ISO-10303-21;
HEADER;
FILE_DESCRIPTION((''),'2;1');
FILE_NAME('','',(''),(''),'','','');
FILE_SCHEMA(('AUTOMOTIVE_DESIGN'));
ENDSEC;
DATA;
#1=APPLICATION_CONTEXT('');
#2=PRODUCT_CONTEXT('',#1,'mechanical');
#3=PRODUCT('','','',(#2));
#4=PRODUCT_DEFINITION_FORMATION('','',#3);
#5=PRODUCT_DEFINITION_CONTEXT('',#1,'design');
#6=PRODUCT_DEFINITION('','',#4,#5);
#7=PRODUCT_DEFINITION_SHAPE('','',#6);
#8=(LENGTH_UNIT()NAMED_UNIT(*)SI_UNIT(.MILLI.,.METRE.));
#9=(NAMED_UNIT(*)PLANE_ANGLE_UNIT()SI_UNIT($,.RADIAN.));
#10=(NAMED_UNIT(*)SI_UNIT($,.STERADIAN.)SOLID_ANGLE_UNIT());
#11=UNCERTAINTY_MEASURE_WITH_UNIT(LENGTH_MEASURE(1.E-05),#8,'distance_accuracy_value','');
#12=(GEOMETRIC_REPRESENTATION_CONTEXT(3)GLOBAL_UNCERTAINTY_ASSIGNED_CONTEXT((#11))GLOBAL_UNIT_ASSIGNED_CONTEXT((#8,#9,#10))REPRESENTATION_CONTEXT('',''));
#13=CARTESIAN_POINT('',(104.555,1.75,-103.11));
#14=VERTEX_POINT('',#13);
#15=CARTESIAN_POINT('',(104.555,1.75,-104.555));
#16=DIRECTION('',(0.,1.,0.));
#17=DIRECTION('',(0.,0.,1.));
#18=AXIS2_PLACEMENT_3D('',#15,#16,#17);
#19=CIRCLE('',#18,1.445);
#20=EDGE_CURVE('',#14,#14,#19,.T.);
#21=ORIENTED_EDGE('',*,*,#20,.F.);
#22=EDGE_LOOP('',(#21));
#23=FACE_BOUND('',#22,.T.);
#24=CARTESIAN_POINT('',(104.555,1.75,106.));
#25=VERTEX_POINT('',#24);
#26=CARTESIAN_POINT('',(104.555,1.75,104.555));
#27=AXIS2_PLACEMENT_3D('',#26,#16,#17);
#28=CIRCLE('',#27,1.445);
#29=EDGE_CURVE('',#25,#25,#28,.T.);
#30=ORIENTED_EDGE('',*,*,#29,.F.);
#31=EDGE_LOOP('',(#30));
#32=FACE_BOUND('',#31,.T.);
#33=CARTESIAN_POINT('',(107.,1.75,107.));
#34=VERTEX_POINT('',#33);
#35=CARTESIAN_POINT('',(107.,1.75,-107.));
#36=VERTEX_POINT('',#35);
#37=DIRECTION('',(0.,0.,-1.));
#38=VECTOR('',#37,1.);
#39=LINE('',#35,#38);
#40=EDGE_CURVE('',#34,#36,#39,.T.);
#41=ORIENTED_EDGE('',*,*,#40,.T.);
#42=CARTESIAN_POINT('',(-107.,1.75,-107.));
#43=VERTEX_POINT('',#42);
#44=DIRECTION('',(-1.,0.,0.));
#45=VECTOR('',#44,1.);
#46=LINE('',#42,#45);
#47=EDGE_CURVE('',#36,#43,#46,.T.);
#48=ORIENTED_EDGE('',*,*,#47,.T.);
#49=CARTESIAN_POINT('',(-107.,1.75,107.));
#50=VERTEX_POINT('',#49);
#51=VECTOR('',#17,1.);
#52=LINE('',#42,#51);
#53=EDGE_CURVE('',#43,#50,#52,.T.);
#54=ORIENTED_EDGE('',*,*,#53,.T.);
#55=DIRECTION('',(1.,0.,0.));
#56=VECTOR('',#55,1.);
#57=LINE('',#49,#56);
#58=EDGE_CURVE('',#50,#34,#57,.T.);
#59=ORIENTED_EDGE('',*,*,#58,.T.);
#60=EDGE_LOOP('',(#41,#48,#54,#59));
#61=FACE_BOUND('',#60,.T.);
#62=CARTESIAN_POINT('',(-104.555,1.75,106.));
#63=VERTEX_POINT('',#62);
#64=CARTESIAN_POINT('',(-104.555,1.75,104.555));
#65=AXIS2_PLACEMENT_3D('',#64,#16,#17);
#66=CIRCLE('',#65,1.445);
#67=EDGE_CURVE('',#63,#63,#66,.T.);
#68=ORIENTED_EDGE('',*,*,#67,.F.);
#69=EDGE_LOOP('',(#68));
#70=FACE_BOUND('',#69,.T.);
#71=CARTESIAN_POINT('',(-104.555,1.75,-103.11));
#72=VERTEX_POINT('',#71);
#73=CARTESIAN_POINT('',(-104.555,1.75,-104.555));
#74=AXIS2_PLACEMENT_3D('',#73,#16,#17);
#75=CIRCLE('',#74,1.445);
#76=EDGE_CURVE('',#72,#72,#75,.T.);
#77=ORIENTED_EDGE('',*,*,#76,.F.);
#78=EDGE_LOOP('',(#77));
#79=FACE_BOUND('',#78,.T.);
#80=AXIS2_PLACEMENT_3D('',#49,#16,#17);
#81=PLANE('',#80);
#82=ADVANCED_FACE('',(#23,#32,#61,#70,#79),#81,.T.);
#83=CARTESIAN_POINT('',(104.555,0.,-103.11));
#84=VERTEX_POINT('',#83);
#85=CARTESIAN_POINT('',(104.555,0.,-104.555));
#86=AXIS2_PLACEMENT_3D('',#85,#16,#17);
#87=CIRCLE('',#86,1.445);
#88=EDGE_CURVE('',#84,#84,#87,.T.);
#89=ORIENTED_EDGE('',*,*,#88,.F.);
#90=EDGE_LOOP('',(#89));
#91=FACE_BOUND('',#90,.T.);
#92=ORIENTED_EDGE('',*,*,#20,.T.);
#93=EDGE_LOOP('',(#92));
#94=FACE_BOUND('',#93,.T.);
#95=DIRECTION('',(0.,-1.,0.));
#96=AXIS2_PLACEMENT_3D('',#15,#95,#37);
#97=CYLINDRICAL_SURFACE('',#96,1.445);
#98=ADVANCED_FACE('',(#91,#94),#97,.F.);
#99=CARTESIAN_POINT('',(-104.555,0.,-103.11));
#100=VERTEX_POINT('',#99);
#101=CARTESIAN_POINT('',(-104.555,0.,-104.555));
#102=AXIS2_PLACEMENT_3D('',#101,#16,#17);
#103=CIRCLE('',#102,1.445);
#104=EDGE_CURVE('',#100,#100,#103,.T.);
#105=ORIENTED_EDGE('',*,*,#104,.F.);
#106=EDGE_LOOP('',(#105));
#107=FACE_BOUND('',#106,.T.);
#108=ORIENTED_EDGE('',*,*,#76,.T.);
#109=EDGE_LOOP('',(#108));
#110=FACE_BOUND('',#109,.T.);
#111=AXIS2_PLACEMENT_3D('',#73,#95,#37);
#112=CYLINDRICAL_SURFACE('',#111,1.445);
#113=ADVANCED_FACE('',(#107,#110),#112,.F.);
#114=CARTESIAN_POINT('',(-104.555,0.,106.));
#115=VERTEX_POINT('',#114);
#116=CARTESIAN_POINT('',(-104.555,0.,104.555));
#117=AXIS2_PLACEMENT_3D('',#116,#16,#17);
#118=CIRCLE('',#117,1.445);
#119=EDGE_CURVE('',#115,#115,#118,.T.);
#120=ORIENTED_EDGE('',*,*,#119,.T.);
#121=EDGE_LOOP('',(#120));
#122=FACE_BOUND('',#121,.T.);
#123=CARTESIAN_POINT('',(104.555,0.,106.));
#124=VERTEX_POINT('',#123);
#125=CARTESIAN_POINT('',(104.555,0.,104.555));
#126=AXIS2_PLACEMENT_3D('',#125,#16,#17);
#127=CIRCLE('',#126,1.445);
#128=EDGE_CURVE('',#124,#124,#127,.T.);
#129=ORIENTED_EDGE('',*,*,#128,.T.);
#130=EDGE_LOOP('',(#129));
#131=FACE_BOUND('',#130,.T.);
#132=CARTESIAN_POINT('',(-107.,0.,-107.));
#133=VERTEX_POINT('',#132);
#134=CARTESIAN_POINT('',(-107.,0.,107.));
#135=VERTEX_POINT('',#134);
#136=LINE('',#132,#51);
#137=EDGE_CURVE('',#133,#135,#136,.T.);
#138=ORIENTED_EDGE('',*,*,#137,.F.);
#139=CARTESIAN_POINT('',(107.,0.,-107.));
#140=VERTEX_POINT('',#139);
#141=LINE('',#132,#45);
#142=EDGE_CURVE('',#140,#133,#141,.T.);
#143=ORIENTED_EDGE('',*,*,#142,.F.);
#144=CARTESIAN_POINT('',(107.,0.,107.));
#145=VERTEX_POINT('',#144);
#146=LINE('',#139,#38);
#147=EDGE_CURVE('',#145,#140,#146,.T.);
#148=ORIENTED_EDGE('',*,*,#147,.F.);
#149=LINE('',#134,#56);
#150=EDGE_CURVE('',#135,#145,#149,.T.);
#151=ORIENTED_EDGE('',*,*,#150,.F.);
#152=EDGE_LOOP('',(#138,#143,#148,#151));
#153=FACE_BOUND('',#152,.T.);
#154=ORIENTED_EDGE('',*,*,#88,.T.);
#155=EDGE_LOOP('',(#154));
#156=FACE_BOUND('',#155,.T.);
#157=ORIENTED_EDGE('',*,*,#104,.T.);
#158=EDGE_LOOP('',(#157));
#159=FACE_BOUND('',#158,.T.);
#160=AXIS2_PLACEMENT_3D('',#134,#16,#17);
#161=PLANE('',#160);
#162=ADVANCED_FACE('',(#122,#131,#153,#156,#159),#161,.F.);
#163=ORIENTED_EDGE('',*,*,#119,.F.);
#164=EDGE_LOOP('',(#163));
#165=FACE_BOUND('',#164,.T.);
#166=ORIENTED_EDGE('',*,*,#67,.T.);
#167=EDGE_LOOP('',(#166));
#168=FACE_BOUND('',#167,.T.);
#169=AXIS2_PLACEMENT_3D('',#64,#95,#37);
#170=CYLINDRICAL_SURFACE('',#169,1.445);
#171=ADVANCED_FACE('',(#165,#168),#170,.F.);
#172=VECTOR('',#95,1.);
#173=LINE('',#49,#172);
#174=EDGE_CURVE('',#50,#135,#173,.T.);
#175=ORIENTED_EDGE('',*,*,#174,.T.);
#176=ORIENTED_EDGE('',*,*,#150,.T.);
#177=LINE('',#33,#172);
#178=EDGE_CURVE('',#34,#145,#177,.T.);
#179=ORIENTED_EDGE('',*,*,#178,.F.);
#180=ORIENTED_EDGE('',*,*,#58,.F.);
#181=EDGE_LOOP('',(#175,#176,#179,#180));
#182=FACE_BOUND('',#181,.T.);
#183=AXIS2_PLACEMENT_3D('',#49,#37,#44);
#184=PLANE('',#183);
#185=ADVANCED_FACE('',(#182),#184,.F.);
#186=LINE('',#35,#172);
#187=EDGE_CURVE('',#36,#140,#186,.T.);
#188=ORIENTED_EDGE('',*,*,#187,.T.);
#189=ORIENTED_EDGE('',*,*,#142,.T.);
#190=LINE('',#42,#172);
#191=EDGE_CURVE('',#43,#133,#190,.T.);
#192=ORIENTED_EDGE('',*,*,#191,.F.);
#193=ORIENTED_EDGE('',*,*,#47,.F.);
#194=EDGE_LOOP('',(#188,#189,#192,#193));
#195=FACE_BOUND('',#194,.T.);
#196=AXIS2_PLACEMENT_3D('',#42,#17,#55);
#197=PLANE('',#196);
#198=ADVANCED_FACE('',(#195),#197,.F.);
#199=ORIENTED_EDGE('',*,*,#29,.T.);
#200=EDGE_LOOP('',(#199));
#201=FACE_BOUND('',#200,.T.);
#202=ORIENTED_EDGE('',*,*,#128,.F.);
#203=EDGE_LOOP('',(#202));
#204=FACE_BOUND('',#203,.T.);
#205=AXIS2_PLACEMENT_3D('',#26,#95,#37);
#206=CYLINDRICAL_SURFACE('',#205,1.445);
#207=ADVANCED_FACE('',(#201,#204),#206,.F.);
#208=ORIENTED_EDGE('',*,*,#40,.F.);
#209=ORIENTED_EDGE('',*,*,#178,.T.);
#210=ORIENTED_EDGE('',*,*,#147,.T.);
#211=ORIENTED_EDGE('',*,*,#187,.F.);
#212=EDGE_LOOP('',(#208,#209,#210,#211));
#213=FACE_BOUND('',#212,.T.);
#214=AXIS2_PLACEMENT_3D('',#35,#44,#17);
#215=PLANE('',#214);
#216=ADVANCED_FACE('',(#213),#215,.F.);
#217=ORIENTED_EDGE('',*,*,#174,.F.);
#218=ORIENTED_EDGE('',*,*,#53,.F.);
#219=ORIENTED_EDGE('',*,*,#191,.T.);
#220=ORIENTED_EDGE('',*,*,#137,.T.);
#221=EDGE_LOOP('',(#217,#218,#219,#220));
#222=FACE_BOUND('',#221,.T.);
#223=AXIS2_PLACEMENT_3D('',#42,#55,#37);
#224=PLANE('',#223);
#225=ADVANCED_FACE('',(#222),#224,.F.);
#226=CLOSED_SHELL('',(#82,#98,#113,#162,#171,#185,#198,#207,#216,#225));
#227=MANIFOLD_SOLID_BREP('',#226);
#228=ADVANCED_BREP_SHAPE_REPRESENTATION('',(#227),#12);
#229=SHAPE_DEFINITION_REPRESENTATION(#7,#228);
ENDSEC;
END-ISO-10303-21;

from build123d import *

# Parameters (mm, degrees)
SKETCH1_W           = 214
SKETCH1_H           = 214
SKETCH1_R           = 1.445
BOSS_EXTRUDE1_DEPTH = 1.75


with BuildPart() as part:
    # Sketch1 → Boss-Extrude1 (new body)
    with BuildSketch(Plane(origin=(0, 0, 0), x_dir=(1, 0, 0), z_dir=(0, 1, 0))):
        Rectangle(SKETCH1_W, SKETCH1_H)
        with Locations((-104.555, 104.555)):
            Circle(SKETCH1_R, mode=Mode.SUBTRACT)
        with Locations((104.555, 104.555)):
            Circle(SKETCH1_R, mode=Mode.SUBTRACT)
        with Locations((104.555, -104.555)):
            Circle(SKETCH1_R, mode=Mode.SUBTRACT)
        with Locations((-104.555, -104.555)):
            Circle(SKETCH1_R, mode=Mode.SUBTRACT)
    extrude(amount=BOSS_EXTRUDE1_DEPTH)


solid = part.part
